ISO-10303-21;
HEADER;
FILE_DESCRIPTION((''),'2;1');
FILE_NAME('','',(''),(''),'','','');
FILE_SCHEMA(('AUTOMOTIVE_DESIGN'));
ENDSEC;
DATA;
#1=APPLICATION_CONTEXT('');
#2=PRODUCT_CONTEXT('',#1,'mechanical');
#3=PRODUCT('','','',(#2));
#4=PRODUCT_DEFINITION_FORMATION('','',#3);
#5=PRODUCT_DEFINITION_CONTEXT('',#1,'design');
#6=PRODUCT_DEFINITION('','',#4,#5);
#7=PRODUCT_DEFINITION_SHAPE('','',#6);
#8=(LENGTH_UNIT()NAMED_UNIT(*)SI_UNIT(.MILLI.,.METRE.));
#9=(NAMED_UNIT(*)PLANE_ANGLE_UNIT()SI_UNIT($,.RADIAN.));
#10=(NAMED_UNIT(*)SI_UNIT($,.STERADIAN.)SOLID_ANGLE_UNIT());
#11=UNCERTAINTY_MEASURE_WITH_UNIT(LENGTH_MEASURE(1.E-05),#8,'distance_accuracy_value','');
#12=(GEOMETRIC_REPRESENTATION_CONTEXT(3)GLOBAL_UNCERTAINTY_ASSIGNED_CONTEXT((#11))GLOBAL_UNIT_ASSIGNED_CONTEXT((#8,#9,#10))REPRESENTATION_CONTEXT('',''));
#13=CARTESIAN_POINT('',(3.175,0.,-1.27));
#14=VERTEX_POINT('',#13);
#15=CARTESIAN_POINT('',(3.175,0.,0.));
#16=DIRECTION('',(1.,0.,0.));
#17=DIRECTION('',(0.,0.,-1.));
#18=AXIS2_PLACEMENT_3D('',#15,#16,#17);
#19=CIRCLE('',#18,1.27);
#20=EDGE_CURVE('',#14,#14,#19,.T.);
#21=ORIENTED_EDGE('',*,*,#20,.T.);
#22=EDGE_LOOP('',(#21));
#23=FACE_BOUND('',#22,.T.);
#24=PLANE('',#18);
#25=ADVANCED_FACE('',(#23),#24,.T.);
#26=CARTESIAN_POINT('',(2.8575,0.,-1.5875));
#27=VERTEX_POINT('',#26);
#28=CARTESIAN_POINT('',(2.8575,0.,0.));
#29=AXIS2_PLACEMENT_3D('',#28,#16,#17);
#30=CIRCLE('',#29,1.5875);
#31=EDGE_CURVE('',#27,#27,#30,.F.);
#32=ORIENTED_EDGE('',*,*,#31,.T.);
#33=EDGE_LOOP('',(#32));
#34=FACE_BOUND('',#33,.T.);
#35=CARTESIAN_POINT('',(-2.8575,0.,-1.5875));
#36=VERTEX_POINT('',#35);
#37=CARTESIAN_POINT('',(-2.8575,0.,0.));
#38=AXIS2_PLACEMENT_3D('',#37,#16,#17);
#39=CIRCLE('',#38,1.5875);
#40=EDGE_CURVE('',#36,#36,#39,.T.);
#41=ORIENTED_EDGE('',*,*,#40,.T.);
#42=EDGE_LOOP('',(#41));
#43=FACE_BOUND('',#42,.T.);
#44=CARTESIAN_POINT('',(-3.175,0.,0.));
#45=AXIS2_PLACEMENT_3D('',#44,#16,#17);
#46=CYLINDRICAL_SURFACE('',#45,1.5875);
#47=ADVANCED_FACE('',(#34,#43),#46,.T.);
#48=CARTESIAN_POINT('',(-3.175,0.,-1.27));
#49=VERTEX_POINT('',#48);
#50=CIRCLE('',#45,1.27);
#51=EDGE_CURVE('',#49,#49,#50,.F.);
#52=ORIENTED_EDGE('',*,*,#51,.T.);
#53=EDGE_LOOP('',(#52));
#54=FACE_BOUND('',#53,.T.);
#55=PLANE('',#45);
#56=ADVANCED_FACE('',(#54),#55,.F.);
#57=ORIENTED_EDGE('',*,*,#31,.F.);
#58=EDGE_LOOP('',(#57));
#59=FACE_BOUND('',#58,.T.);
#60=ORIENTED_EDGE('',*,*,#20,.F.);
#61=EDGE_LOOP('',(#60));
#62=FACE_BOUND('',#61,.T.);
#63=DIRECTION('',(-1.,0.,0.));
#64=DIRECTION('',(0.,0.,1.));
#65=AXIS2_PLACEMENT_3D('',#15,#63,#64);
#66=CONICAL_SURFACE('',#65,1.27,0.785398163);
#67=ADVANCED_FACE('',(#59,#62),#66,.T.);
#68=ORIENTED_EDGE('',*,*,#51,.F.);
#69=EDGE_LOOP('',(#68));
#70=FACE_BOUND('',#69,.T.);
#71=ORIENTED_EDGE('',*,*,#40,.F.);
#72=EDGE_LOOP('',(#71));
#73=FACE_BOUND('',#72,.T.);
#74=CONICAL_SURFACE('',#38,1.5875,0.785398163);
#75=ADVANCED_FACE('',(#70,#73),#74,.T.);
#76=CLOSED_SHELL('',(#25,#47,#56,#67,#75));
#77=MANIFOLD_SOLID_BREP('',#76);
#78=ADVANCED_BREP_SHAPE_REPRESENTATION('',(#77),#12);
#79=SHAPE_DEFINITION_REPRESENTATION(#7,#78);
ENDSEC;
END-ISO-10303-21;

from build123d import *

# Parameters (mm, degrees)
SKETCH2_R           = 1.5875
EXTRUDE1_DEPTH      = 3.175
EXTRUDE1_DEPTH_BACK = 3.175
CHAMFER1_SIZE       = 0.3175


with BuildPart() as part:
    # Sketch2 → Extrude1 (new body, two sides)
    with BuildSketch(Plane(origin=(0, 0, 0), x_dir=(0, 0, -1), z_dir=(1, 0, 0))) as extrude1_sk:
        Circle(SKETCH2_R)
    extrude(amount=EXTRUDE1_DEPTH)
    extrude(extrude1_sk.sketch, amount=-EXTRUDE1_DEPTH_BACK)

    # Chamfer1
    chamfer1_edges = [part.edges().sort_by_distance(p)[0] for p in [
        (-3.175, 0, 1.5875),
        (3.175, 0, 1.5875),
    ]]
    chamfer(chamfer1_edges, length=CHAMFER1_SIZE)


solid = part.part
